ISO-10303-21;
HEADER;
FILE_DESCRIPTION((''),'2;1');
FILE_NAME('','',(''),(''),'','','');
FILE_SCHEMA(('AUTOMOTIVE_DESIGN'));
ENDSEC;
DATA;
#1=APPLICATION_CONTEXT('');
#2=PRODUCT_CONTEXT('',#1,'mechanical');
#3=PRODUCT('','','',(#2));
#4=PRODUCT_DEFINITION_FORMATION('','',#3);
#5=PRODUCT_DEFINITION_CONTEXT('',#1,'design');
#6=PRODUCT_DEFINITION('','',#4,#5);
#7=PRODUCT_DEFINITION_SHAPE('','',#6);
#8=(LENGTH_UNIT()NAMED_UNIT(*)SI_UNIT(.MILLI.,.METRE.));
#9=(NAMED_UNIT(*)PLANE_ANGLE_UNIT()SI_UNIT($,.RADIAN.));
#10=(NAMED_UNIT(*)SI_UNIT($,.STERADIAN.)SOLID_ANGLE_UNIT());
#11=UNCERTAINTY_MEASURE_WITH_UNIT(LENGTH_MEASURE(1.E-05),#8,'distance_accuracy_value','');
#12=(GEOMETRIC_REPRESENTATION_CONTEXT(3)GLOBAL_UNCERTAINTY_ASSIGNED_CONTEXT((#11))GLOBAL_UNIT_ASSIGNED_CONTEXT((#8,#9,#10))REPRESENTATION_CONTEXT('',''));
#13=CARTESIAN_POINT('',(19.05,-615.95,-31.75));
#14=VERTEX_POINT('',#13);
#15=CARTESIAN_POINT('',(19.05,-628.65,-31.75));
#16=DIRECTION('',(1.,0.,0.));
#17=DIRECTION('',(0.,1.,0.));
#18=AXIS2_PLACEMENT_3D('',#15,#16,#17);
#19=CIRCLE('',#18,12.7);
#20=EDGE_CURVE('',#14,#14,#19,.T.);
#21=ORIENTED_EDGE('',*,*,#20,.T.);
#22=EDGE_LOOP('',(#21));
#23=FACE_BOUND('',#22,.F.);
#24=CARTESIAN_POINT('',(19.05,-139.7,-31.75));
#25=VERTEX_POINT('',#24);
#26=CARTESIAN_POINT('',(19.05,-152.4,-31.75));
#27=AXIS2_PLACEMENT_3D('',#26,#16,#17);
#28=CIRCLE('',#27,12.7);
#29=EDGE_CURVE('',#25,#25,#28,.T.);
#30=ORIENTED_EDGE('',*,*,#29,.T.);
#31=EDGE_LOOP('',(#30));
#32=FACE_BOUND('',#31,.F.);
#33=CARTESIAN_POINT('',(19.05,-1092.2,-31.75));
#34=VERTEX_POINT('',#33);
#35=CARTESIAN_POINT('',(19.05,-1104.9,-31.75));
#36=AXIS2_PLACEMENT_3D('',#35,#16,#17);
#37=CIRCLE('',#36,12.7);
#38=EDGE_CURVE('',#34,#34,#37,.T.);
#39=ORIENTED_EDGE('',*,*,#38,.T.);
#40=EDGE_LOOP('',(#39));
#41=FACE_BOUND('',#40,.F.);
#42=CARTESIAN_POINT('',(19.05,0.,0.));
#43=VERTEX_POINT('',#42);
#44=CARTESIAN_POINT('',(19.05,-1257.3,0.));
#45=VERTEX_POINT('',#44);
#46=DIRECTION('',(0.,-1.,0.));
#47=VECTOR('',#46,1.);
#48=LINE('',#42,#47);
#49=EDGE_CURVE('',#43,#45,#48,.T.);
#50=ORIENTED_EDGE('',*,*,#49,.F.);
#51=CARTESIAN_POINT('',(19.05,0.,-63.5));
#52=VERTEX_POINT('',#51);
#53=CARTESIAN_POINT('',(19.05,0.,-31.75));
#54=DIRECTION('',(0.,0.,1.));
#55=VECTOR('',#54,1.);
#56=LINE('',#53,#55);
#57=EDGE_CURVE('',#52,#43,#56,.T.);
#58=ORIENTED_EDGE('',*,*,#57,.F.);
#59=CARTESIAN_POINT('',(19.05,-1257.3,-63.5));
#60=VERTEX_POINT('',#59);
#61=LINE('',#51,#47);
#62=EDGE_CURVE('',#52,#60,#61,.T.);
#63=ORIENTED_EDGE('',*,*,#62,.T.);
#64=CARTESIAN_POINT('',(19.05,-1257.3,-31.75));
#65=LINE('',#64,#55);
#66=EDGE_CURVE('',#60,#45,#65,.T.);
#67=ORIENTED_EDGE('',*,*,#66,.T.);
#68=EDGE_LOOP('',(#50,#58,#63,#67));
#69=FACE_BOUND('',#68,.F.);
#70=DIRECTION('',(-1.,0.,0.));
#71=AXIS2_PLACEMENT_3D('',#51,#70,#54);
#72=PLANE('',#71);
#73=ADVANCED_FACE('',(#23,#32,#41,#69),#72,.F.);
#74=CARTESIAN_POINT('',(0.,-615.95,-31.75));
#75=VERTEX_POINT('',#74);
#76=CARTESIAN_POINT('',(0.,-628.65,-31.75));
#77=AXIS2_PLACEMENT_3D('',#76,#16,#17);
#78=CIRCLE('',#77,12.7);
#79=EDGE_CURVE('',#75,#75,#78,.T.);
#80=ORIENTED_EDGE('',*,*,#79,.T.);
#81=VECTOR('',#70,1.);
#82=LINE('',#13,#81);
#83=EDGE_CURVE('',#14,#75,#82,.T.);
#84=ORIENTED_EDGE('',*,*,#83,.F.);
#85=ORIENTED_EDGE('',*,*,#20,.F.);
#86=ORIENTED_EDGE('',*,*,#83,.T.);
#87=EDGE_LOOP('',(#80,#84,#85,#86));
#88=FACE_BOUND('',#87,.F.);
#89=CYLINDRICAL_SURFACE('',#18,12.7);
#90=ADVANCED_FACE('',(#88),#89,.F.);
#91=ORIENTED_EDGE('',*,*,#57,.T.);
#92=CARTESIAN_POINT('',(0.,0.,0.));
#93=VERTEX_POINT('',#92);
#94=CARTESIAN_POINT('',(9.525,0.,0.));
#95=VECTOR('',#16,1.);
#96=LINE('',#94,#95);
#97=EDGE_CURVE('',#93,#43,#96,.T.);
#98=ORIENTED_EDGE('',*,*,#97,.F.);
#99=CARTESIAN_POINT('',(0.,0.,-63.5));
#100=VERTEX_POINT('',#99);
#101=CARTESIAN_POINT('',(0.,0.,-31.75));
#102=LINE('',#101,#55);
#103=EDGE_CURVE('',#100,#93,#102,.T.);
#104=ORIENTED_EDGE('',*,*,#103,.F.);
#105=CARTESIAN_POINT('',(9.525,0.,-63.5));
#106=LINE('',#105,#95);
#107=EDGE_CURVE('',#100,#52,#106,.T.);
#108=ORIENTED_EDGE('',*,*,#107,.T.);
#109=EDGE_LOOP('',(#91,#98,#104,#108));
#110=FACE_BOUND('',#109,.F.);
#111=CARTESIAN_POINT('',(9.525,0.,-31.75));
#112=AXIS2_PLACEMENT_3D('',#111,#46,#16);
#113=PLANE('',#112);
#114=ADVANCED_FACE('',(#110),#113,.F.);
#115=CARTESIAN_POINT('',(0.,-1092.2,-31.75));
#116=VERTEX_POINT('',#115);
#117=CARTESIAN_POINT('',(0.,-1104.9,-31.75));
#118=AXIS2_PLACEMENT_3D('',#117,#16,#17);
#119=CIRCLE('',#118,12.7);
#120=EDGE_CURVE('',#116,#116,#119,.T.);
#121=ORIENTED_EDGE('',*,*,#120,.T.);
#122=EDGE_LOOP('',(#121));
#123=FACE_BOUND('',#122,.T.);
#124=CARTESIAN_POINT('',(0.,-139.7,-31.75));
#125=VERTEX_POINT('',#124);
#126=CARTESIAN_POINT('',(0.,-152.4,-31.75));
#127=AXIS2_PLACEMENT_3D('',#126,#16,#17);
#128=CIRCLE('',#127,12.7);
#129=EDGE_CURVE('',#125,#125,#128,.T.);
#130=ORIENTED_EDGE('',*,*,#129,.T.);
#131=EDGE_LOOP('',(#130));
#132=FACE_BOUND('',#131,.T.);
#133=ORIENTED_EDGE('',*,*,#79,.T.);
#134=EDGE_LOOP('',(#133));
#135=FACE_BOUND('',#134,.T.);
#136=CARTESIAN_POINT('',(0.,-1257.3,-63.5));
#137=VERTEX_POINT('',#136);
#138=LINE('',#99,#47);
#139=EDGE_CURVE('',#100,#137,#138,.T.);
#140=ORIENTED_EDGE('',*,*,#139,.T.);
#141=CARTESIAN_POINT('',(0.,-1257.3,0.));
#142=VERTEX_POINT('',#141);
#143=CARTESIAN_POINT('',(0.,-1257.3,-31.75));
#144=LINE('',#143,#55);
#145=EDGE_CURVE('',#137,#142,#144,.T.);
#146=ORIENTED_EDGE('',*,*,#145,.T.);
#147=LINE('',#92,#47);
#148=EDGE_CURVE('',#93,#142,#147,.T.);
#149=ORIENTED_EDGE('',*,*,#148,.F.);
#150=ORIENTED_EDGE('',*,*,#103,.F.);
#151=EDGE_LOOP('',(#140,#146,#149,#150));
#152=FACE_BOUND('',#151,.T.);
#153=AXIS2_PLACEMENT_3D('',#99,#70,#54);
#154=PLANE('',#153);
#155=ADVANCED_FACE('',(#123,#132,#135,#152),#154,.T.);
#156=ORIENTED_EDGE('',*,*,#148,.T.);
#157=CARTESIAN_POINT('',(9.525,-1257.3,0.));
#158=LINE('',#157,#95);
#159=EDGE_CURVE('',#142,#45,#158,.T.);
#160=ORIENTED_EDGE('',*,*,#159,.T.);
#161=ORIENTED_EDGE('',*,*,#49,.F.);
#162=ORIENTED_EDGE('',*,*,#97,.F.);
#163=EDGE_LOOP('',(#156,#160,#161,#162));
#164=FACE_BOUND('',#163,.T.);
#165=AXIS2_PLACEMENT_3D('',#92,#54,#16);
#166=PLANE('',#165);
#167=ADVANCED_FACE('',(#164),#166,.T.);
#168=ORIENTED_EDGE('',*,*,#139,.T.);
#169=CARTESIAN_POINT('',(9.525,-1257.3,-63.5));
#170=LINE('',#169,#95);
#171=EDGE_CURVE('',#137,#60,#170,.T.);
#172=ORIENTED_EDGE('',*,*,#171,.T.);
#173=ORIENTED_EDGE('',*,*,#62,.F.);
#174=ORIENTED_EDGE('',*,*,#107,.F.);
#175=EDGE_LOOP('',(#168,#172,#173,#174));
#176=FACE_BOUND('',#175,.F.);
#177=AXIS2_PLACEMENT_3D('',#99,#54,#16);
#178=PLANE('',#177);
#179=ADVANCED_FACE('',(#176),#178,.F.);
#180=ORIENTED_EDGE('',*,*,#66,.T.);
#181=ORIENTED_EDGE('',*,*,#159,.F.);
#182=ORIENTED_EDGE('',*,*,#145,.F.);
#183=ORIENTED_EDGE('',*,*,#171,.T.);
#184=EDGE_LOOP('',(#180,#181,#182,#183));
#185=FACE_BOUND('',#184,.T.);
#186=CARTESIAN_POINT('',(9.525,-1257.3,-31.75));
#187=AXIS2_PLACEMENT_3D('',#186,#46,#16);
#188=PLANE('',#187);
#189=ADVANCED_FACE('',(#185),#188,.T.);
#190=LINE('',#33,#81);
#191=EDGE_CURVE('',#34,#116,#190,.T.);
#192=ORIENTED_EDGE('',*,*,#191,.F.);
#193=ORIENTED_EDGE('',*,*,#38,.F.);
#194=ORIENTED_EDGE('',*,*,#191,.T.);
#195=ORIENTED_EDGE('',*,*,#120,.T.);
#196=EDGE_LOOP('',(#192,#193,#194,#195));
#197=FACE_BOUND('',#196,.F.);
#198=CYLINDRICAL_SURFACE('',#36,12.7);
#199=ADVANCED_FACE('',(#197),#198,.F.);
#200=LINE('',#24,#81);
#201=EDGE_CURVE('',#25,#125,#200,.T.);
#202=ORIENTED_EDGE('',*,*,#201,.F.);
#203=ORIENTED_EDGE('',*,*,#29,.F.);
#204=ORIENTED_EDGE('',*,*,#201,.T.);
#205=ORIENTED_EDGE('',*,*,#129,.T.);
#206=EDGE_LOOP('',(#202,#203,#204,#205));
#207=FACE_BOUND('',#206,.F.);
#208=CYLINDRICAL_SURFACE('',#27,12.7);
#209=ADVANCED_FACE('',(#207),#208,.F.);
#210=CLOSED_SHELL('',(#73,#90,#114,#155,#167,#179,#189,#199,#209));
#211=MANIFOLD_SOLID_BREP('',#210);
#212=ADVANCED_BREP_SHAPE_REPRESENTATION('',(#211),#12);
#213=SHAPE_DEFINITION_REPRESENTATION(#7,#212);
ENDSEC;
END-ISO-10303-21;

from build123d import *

# Parameters (mm, degrees)
F0_W     = 19.05
F0_H     = 63.5
F1_DEPTH = 1257.3
F2_R     = 12.7
F3_DEPTH = 19.051


with BuildPart() as f1:
    # F0 (on Front) → F1 (new body)
    with BuildSketch(Plane.XZ):
        with Locations((9.525, -31.75)):
            Rectangle(F0_W, F0_H)
    extrude(amount=F1_DEPTH)

    # F2 (on face) → F3 (cut, through all)
    with BuildSketch(Plane.YZ.offset(19.05)):
        with Locations((-1104.9, -31.75)):
            Circle(F2_R)
        with Locations((-628.65, -31.75)):
            Circle(F2_R)
        with Locations((-152.4, -31.75)):
            Circle(F2_R)
    extrude(amount=-F3_DEPTH, mode=Mode.SUBTRACT)


solid = f1.part
